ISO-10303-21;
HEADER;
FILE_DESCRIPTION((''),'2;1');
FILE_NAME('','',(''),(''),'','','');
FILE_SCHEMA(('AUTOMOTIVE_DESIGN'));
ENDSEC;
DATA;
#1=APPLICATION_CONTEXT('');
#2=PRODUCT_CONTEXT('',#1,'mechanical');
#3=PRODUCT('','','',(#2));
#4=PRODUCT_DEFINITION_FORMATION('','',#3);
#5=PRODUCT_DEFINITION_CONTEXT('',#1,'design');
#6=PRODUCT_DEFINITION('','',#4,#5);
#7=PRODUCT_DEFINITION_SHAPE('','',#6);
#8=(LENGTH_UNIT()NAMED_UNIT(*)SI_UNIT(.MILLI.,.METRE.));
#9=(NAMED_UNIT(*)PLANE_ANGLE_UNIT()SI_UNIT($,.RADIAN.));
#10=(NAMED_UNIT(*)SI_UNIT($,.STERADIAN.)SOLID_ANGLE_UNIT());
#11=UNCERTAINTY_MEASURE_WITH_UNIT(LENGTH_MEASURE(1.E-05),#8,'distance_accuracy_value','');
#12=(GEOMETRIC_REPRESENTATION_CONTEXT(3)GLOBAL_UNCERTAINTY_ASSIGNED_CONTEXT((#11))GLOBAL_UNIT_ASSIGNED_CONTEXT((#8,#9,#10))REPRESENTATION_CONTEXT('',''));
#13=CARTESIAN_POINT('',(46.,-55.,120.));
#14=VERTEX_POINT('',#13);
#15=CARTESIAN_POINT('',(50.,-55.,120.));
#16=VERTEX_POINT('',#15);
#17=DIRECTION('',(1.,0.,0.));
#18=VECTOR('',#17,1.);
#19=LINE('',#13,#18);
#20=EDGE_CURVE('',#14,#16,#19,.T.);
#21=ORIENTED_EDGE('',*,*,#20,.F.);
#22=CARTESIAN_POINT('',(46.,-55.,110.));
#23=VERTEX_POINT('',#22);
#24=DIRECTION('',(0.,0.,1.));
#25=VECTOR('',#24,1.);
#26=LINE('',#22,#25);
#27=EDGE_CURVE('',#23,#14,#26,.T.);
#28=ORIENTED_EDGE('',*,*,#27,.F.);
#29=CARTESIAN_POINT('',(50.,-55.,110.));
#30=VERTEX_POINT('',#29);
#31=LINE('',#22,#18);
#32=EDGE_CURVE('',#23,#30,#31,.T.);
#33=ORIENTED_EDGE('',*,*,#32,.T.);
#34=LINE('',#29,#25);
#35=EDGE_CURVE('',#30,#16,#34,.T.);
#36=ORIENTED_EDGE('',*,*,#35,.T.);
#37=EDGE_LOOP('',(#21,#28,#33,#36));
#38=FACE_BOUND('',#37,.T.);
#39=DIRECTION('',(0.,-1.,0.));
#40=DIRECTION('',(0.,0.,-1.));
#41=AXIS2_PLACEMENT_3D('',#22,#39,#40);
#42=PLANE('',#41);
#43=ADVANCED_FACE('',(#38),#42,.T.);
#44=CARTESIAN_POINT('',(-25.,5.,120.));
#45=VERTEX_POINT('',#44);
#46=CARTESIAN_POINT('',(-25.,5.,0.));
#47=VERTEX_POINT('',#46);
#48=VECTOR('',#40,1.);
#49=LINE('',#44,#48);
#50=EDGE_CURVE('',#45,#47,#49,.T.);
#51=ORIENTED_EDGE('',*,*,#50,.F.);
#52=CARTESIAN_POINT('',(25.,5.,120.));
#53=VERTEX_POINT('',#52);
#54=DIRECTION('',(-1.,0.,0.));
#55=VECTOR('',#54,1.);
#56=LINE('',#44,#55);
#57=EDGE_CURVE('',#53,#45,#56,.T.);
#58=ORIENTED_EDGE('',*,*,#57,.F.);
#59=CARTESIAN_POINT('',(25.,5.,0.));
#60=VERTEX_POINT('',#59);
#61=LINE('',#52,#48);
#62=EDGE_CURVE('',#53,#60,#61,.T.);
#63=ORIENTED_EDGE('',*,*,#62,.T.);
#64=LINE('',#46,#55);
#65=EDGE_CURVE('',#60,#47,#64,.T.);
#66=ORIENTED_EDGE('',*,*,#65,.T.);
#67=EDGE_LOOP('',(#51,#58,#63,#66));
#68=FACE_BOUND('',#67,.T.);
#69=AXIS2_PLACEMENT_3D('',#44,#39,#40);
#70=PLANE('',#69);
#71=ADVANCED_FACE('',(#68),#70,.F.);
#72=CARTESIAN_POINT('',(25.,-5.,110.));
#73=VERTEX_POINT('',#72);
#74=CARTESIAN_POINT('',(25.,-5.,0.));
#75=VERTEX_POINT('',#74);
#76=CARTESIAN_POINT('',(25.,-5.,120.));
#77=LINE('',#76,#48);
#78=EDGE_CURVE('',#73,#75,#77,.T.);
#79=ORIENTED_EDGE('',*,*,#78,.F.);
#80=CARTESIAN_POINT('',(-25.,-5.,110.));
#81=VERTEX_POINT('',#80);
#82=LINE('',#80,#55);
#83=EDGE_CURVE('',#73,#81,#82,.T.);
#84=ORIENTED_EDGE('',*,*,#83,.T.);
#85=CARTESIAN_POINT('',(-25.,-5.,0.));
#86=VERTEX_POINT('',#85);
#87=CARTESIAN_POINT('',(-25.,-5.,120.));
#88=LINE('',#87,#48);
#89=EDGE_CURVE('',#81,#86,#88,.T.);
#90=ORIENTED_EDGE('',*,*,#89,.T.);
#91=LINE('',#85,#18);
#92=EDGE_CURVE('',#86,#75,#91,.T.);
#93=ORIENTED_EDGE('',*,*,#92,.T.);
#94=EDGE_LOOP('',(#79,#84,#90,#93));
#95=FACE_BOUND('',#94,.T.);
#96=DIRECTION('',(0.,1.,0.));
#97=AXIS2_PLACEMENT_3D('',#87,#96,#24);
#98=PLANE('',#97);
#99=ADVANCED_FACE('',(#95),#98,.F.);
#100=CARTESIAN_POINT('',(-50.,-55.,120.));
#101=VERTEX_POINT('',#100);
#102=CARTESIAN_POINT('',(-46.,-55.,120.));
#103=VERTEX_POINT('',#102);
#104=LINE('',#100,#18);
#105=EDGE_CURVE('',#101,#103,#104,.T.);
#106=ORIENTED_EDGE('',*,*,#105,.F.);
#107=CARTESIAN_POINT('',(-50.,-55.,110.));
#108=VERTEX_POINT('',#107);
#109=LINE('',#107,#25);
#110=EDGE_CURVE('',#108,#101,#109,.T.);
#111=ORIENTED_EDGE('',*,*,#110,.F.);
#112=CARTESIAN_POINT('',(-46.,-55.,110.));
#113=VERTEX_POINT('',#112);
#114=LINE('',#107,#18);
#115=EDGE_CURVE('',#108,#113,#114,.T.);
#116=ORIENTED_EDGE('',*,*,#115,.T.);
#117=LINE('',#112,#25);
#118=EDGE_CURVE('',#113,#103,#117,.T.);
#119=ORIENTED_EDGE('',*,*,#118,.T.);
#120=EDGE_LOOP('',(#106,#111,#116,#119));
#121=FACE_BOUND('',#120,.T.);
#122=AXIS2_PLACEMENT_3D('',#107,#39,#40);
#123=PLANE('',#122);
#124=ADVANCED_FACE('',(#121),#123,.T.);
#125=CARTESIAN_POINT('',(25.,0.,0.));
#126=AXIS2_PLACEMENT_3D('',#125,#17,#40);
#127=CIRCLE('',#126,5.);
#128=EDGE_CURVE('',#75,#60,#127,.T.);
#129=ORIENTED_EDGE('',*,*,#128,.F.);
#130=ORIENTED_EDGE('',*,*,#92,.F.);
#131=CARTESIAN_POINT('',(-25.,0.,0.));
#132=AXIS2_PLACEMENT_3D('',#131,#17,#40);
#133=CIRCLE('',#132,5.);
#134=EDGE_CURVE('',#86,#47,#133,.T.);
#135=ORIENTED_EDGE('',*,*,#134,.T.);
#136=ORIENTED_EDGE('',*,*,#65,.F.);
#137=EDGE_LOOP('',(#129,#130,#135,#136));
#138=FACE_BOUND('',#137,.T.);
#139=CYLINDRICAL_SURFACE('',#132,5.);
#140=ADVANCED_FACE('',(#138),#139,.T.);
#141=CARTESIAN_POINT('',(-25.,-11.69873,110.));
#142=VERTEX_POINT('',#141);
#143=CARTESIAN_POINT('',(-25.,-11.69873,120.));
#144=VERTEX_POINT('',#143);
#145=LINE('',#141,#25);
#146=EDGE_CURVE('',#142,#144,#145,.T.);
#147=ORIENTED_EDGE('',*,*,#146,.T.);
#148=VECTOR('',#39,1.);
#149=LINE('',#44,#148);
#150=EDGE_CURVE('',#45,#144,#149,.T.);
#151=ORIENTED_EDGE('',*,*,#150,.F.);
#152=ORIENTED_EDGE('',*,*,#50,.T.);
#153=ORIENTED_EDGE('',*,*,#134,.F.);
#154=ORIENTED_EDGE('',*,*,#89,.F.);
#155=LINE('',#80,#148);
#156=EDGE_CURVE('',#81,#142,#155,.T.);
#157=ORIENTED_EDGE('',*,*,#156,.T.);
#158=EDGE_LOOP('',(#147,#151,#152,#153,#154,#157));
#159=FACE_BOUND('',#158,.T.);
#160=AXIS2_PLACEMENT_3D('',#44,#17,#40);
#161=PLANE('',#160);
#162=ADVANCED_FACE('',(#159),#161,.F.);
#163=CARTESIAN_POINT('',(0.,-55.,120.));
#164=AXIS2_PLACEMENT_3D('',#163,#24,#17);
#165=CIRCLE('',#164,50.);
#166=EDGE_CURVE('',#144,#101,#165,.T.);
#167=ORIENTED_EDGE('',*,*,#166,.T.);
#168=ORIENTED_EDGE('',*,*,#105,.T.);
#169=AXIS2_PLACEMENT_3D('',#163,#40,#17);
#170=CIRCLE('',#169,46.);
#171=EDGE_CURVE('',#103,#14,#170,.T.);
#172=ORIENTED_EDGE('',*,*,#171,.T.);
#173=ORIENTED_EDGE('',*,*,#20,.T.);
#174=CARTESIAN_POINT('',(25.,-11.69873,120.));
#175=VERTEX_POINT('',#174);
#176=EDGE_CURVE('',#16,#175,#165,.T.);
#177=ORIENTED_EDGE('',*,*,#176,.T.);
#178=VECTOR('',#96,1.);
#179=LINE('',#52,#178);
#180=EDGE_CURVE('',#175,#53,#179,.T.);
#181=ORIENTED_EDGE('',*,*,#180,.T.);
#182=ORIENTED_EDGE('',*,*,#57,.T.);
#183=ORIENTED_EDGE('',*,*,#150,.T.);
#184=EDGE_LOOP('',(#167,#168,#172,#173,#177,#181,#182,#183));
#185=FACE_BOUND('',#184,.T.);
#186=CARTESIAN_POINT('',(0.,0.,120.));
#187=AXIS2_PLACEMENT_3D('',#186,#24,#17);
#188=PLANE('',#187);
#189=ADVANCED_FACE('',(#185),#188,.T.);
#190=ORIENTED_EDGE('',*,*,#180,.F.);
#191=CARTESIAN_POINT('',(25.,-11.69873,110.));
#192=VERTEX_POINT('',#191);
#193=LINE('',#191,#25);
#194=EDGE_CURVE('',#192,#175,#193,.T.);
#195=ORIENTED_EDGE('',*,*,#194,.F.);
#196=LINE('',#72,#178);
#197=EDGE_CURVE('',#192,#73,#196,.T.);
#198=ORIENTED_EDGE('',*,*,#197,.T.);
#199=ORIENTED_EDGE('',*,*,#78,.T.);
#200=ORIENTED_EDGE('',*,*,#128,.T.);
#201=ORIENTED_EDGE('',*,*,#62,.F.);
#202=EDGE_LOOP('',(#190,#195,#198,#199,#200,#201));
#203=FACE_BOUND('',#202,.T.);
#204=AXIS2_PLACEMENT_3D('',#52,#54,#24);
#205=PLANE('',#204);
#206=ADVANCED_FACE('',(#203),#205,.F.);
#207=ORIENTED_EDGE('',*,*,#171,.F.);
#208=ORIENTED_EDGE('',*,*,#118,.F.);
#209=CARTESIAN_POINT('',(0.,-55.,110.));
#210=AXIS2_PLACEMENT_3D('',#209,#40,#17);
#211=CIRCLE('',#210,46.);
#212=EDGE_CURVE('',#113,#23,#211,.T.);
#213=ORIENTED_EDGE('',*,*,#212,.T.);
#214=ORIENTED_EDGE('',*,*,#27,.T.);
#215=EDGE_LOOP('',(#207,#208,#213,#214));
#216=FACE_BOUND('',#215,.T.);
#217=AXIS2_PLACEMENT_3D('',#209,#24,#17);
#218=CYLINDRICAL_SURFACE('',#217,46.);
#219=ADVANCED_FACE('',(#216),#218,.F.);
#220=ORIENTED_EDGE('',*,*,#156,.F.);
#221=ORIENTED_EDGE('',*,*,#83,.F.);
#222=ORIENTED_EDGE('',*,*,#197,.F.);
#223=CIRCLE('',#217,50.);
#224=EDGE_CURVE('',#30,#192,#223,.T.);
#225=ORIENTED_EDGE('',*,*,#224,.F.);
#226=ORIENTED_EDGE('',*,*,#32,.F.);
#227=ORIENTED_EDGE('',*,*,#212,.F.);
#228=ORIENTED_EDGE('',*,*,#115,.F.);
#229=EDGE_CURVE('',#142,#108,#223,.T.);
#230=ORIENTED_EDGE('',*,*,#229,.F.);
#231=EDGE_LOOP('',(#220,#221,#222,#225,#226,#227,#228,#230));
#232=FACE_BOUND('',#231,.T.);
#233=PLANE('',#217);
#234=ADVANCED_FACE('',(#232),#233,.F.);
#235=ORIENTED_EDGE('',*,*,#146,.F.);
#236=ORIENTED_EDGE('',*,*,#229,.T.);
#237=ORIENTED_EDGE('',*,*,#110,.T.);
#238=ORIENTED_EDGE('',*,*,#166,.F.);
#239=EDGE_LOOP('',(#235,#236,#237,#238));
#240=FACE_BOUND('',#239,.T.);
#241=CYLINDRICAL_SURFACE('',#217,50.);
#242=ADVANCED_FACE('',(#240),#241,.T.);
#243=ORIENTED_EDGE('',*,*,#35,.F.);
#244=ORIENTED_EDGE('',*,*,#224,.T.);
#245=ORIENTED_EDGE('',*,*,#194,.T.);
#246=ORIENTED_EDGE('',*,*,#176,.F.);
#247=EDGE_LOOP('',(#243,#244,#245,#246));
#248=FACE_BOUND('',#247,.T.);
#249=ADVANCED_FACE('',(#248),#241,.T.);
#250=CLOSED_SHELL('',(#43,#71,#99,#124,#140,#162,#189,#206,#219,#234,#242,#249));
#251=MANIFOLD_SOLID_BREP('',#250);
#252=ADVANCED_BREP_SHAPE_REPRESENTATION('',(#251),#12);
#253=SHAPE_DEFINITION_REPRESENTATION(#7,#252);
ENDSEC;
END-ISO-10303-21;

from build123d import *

# Parameters (mm, degrees)
SKETCH_1_W      = 50
SKETCH_1_H      = 10
EXTRUDE_1_DEPTH = 120
EXTRUDE_2_DEPTH = 10
SKETCH_2_R      = 5
EXTRUDE_3_DEPTH = 50


with BuildPart() as part:
    # 草图1 → 凸台-拉伸1 (new body)
    with BuildSketch(Plane.XY):
        Rectangle(SKETCH_1_W, SKETCH_1_H)
    extrude(amount=EXTRUDE_1_DEPTH)

    # 草图3 → 凸台-拉伸2 (add)
    with BuildSketch(Plane.XY.offset(120)):
        with BuildLine():
            Line((-50, -55), (-46, -55))
            ThreePointArc((-46, -55), (0, -9), (46, -55))
            Line((46, -55), (50, -55))
            ThreePointArc((50, -55), (43.301270189, -30), (25, -11.698729811))
            Line((25, -11.698729811), (25, -5))
            Line((25, -5), (-25, -5))
            Line((-25, -5), (-25, -11.698729811))
            ThreePointArc((-25, -11.698729811), (-43.301270189, -30), (-50, -55))
        make_face()
    extrude(amount=-EXTRUDE_2_DEPTH)

    # 草图2 → 凸台-拉伸3 (add)
    with BuildSketch(Plane(origin=(25, 0, 0), x_dir=(0, 0, -1), z_dir=(1, 0, 0))):
        Circle(SKETCH_2_R)
    extrude(amount=-EXTRUDE_3_DEPTH)


solid = part.part
